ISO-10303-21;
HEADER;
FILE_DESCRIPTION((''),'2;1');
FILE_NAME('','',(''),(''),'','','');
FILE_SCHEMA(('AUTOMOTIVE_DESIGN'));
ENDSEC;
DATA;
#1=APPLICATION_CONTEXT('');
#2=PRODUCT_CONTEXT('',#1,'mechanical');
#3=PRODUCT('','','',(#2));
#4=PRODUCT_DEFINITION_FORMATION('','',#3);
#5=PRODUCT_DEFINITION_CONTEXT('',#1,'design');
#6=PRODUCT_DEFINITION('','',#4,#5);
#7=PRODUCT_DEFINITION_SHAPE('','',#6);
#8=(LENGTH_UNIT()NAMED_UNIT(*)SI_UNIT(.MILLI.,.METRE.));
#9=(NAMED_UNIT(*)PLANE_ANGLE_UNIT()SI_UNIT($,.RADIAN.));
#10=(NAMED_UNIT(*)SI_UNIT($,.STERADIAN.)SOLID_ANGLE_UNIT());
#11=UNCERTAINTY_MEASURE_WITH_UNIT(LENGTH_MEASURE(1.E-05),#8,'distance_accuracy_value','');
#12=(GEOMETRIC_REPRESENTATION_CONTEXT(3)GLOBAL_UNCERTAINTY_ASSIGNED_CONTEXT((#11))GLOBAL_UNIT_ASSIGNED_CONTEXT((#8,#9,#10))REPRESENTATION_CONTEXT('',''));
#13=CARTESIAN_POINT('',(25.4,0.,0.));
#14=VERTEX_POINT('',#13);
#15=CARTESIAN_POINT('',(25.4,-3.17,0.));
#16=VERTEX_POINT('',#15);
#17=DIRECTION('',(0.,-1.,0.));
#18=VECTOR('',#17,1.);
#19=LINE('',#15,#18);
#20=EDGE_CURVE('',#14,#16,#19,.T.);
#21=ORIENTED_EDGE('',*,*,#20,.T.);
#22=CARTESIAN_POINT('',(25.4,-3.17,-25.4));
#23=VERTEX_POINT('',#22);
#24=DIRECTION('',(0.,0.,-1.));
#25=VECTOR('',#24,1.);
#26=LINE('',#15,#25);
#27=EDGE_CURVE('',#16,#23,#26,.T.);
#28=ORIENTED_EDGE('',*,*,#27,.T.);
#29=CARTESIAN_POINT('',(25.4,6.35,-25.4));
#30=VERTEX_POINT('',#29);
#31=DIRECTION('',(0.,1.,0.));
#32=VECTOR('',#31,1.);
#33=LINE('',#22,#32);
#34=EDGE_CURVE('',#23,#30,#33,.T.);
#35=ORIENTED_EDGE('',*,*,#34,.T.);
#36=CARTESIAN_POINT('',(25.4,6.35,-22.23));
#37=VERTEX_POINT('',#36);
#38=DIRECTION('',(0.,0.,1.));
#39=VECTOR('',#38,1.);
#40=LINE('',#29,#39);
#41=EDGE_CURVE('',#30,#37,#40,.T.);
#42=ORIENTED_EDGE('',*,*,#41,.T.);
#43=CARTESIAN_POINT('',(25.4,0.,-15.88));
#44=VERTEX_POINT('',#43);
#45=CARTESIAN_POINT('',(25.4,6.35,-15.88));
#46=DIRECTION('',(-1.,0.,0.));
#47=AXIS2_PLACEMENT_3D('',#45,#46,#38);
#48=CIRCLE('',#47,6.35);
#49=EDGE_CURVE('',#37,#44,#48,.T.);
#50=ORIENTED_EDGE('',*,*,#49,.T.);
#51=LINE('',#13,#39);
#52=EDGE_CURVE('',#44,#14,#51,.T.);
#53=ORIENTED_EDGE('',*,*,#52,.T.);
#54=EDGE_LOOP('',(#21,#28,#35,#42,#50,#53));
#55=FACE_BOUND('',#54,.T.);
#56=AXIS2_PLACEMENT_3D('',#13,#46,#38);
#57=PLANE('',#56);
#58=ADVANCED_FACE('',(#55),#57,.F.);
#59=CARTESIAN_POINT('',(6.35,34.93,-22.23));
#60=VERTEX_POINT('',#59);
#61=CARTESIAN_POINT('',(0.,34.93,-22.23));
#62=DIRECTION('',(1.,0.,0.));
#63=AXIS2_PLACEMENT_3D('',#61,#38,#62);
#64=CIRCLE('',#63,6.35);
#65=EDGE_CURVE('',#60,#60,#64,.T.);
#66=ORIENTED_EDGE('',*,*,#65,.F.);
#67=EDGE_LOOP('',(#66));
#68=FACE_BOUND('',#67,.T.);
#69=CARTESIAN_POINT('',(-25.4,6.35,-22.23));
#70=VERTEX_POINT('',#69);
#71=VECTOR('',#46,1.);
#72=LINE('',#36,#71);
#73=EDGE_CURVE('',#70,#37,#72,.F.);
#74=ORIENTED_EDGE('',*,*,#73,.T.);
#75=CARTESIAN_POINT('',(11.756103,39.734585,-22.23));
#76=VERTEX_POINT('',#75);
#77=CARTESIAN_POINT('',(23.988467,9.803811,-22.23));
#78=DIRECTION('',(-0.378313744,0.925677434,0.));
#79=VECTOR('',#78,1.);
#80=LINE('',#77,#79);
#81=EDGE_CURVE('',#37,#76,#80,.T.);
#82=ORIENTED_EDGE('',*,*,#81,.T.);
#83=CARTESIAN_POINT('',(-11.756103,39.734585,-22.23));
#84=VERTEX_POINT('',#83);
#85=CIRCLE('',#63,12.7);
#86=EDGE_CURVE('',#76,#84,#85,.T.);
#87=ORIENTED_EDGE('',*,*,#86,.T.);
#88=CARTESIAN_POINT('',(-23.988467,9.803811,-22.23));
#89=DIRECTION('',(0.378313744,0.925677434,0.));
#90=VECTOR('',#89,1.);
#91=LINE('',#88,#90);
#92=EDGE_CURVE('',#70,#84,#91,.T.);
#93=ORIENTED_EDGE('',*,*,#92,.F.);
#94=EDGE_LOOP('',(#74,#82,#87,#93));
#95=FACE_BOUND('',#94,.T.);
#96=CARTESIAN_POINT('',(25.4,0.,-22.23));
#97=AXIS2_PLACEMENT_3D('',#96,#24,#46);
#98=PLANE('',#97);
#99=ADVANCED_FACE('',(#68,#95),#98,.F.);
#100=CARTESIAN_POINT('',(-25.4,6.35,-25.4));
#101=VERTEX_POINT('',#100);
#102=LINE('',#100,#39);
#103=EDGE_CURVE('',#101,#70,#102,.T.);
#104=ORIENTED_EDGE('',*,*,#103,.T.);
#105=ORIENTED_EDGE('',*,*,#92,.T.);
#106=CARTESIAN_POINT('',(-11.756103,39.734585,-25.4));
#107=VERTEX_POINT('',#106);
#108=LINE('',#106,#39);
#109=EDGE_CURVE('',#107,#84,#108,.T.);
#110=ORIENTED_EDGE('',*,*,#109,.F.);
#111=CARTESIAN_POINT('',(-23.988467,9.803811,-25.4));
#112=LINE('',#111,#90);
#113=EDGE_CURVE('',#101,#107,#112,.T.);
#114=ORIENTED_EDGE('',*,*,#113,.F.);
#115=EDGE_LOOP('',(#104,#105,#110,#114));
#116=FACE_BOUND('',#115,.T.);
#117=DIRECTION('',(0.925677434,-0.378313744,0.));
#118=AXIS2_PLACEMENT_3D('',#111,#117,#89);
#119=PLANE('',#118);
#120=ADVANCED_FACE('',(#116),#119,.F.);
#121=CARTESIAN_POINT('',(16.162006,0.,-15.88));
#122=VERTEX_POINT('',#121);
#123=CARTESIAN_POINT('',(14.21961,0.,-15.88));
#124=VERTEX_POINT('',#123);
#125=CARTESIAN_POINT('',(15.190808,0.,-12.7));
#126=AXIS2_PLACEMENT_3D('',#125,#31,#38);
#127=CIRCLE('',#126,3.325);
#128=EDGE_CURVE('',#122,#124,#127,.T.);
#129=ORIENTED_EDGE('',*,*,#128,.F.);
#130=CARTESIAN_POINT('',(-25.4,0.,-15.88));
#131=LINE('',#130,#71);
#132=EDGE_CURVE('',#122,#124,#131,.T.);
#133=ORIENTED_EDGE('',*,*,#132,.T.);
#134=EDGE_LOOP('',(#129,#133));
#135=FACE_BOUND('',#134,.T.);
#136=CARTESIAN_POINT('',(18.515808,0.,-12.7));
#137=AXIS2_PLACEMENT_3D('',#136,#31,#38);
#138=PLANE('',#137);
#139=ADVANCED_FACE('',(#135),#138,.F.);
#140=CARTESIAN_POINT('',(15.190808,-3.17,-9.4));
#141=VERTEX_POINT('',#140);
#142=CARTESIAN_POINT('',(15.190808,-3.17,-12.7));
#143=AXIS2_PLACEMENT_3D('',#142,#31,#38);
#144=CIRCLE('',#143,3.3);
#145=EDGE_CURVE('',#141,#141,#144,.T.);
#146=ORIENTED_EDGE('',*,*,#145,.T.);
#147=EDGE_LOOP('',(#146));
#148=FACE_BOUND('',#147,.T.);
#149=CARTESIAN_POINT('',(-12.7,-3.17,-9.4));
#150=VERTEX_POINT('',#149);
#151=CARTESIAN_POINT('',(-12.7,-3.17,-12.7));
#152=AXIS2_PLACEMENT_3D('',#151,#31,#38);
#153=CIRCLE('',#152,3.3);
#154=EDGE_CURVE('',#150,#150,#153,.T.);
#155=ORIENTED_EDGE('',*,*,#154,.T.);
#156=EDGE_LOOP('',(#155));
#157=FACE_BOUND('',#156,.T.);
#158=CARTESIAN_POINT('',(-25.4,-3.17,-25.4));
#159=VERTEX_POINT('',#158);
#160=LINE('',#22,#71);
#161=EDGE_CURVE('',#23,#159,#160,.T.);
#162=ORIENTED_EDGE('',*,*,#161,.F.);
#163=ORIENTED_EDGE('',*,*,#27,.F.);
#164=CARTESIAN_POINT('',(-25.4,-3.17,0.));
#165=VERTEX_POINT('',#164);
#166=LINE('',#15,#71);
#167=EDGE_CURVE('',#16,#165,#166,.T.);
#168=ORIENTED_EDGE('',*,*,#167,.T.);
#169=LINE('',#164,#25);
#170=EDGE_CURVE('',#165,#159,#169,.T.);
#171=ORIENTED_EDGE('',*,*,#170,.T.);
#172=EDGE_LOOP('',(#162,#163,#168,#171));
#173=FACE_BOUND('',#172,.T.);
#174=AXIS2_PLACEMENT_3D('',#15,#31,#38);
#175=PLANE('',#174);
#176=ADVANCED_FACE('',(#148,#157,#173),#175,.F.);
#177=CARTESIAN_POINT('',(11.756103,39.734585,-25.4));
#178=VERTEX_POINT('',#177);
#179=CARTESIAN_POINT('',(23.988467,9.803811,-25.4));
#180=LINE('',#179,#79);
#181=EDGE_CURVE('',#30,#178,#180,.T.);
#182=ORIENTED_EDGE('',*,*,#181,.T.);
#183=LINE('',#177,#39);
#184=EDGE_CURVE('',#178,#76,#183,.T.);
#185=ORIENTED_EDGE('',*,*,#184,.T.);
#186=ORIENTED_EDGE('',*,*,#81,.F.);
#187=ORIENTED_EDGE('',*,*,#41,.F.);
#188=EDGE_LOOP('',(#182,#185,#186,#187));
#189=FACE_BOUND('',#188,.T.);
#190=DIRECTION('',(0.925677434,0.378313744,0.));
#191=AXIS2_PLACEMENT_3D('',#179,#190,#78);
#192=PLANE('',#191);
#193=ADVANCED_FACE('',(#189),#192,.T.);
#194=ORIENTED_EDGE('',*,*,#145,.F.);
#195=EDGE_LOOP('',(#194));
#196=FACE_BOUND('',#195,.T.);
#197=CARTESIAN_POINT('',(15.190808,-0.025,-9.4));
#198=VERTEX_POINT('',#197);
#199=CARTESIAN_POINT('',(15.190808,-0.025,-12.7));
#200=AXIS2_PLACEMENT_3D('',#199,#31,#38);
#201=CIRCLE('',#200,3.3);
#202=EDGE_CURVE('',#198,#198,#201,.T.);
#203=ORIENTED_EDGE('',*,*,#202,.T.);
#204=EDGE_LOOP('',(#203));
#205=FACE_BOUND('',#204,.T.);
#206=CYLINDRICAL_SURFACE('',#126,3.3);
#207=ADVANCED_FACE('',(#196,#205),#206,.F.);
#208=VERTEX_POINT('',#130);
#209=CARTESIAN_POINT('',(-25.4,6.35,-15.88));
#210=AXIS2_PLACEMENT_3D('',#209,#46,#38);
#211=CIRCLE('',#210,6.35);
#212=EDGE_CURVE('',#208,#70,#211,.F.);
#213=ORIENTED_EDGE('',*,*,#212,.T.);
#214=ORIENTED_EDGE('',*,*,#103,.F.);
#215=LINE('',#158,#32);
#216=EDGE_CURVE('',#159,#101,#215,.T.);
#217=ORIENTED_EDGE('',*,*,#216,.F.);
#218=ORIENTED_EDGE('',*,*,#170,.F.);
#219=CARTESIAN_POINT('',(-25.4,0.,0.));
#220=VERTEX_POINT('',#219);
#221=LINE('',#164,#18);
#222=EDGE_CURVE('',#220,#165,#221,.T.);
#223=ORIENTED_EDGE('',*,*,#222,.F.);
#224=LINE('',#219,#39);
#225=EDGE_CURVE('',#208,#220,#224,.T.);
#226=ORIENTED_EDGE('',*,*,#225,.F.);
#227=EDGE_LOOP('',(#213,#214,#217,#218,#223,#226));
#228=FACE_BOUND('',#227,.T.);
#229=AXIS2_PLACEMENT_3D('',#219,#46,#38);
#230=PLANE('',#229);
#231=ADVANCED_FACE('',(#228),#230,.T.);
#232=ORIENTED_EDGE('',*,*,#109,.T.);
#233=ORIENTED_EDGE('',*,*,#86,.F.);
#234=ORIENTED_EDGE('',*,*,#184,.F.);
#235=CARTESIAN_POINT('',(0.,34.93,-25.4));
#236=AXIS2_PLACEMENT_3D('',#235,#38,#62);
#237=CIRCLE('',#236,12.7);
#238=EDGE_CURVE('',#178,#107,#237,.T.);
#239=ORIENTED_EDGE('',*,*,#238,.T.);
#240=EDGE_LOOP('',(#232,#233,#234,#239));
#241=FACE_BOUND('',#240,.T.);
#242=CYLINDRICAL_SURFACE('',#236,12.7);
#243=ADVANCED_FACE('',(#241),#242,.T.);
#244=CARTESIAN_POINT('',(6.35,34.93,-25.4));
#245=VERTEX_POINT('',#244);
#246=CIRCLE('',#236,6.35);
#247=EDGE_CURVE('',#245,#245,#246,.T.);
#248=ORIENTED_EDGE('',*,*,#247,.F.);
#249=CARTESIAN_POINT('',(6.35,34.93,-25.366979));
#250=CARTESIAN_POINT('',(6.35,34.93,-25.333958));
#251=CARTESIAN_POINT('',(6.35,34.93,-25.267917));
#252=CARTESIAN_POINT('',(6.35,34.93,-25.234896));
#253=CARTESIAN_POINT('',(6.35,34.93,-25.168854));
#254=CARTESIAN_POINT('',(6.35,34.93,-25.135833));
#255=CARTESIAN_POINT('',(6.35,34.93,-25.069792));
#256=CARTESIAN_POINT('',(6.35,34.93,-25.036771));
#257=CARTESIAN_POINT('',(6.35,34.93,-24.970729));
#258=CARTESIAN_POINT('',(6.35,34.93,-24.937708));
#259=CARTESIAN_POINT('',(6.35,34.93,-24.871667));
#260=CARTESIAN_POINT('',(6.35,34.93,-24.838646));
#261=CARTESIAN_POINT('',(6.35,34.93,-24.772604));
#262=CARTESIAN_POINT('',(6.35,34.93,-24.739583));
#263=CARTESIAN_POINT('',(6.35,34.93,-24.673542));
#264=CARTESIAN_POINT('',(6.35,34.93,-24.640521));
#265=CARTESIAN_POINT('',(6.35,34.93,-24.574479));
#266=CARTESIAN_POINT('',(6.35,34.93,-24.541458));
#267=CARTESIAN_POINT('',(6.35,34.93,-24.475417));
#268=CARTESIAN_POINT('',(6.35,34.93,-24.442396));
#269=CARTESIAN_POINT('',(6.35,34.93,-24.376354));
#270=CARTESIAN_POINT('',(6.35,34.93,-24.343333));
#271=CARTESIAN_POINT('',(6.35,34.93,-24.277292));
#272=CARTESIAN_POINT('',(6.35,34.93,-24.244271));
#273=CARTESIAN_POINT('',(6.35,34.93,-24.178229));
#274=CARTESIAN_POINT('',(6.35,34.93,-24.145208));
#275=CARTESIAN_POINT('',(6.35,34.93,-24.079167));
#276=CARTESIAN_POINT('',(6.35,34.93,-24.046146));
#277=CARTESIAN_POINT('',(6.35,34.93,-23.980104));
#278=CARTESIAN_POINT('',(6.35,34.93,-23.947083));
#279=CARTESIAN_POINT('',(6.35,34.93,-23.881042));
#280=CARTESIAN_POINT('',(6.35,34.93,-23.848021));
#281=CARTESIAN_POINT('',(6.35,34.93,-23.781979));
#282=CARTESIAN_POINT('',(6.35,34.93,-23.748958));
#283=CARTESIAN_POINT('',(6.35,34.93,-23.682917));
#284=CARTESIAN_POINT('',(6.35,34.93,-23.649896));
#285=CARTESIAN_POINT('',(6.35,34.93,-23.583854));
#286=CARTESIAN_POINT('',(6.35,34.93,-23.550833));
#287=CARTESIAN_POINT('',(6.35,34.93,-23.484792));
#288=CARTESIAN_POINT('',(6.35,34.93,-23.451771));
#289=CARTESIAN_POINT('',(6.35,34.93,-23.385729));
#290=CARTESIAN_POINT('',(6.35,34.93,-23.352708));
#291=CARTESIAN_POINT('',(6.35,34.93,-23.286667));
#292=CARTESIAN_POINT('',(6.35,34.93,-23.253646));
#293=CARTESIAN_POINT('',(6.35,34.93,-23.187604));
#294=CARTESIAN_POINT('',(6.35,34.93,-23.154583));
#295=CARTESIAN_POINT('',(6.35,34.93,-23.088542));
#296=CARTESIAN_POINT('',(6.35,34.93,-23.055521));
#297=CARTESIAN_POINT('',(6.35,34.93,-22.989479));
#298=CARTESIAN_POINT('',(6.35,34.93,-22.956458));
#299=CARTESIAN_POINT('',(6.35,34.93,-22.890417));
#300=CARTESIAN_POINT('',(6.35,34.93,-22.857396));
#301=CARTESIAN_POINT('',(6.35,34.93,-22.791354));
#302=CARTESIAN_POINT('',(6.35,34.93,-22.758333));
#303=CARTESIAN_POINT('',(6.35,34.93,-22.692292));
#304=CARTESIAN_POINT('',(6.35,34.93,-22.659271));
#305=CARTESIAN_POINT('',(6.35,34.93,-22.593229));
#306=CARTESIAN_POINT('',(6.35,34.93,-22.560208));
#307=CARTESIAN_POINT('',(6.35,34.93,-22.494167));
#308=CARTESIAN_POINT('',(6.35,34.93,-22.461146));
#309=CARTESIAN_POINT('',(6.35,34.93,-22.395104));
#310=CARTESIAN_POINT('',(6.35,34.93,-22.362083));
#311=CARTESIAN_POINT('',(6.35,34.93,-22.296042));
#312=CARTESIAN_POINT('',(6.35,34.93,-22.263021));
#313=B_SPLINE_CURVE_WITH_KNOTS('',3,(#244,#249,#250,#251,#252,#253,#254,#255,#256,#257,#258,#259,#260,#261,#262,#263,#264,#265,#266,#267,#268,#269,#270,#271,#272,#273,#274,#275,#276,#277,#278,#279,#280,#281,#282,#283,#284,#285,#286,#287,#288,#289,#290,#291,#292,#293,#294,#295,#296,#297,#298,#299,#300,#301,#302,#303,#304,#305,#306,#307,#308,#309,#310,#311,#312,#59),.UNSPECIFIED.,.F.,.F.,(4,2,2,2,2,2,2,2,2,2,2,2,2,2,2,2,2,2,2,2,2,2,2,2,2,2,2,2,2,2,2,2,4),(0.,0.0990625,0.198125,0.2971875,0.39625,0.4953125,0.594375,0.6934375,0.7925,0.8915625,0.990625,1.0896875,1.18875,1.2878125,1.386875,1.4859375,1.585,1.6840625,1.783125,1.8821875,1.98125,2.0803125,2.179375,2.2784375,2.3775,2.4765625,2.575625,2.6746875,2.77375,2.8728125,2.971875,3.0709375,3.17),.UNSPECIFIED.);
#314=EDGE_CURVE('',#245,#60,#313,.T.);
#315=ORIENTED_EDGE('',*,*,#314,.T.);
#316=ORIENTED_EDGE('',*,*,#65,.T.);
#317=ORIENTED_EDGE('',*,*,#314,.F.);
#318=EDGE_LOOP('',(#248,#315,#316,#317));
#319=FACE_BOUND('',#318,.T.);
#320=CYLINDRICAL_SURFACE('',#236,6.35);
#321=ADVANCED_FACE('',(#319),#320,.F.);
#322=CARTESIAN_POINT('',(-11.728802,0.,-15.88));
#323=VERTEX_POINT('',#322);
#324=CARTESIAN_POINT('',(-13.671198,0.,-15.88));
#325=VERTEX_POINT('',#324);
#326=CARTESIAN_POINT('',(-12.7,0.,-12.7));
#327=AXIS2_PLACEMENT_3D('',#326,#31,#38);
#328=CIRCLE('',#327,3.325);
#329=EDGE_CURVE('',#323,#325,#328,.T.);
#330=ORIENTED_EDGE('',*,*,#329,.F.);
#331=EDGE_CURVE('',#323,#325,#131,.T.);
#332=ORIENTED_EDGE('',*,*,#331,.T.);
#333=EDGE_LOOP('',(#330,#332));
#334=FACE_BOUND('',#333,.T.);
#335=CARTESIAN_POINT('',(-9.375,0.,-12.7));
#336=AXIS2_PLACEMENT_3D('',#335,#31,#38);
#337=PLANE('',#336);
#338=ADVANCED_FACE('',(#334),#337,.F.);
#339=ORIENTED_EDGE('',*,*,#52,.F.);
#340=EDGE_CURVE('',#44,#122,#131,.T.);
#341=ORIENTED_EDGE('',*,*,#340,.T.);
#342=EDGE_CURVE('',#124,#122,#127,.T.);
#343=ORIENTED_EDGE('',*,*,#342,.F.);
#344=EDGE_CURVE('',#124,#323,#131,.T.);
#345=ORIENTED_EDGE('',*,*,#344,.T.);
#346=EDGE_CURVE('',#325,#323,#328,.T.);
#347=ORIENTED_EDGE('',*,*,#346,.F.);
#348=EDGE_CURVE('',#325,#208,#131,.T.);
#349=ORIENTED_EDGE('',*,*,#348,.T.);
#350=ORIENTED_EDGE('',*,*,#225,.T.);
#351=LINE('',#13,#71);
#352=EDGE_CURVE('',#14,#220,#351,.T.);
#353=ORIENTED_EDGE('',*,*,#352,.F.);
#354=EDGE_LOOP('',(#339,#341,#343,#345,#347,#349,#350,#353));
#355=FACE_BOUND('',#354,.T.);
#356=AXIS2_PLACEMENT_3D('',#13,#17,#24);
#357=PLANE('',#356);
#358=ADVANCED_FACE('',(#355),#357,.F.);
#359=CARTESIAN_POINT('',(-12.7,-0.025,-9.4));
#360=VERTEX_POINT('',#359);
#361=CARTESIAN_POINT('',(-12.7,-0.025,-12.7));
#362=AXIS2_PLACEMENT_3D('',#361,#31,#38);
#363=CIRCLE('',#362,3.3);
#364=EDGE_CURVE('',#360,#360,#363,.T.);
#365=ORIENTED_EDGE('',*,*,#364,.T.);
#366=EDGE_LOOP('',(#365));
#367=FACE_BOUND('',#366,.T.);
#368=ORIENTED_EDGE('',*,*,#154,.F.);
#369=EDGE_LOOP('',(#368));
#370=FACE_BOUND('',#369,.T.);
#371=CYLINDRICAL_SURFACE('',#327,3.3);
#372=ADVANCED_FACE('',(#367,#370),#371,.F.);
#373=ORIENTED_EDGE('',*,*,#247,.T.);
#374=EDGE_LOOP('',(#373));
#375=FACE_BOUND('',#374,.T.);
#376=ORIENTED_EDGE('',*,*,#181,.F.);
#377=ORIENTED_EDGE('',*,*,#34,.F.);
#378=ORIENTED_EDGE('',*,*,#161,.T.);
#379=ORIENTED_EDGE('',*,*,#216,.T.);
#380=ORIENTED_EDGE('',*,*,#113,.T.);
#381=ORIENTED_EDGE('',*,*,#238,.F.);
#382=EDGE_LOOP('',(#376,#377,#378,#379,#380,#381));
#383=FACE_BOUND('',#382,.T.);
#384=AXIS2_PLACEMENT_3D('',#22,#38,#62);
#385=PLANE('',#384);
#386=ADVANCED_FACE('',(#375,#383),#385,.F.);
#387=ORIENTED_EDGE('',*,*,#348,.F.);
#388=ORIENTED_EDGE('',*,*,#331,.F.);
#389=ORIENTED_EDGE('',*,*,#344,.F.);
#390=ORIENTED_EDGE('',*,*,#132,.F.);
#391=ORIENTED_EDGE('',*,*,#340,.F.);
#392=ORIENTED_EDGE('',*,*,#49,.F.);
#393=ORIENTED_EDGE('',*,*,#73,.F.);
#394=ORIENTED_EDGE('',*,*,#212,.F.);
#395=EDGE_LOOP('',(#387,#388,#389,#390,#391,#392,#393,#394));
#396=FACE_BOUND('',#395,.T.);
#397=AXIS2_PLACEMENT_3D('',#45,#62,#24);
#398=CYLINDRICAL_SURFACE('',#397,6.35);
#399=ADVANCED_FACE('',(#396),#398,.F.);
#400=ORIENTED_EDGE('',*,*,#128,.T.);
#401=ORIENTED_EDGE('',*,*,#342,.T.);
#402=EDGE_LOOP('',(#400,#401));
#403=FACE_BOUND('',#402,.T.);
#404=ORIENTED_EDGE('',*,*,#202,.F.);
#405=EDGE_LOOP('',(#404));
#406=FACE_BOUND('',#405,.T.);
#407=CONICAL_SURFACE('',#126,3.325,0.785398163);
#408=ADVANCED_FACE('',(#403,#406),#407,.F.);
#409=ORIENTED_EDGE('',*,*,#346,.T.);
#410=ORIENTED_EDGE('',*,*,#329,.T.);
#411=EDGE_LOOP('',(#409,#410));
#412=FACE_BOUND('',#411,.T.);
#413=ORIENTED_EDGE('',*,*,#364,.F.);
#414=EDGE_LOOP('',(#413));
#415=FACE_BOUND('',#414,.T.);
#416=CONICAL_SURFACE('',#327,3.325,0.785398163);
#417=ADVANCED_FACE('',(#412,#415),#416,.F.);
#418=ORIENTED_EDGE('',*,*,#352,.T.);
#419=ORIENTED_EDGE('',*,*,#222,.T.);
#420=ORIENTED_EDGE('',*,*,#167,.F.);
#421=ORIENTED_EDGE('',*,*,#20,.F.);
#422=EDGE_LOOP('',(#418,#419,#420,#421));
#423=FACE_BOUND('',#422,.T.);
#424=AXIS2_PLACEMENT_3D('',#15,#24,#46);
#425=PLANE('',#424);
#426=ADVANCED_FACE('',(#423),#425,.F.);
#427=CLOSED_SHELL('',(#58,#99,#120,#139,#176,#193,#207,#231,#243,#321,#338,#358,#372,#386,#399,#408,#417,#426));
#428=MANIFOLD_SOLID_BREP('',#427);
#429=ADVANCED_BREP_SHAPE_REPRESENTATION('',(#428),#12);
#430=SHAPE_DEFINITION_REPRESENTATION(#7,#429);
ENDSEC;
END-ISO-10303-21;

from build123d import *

# Parameters (mm, degrees)
BOSS_EXTRUDE1_DEPTH           = 25.4
FILLET1_R                     = 6.35
M6_CLEARANCE_HOLE1_AT_2_COUNT = 2
M6_CLEARANCE_HOLE1_AT_2_PITCH = 27.890807904
SKETCH4_R                     = 6.35
CUT_EXTRUDE1_DEPTH            = 59.37764812


with BuildPart() as part:
    # Sketch1 → Boss-Extrude1 (new, symmetric)
    with BuildSketch(Plane(origin=(0, 0, 0), x_dir=(0, 0, -1), z_dir=(1, 0, 0))):
        Polygon((0, 0), (22.23, 0), (22.23, 47.63), (25.4, 47.63), (25.4, -3.17), (0, -3.17), align=None)
    extrude(amount=BOSS_EXTRUDE1_DEPTH, both=True)

    # Fillet1
    fillet1_edges = [part.edges().sort_by_distance(p)[0] for p in [
        (0, 0, -22.23),
    ]]
    fillet(fillet1_edges, radius=FILLET1_R)

    # Sketch3 → M6 Clearance Hole1 (revolve, cut)
    with BuildSketch(Plane(origin=(-12.7, 0, -12.7), x_dir=(0, 0, 1), z_dir=(1, 0, 0))):
        Polygon((0, 0), (0, 3.17), (3.3, 3.17), (3.3, 0.025), (3.325, 0), align=None)
    m6_clearance_hole1 = revolve(axis=Axis((-12.7, 6.35, -12.7), (0, -1, 0)), mode=Mode.SUBTRACT)

    # M6 Clearance Hole1 at 2: M6 Clearance Hole1 ×2
    with Locations(*[(i * M6_CLEARANCE_HOLE1_AT_2_PITCH, 0, 0) for i in range(1, M6_CLEARANCE_HOLE1_AT_2_COUNT)]):
        add(m6_clearance_hole1, mode=Mode.SUBTRACT)

    # Sketch4 → Cut-Extrude1 (cut, through all)
    with BuildSketch(Plane.XY.offset(-22.23)):
        with Locations((0, 34.93)):
            Circle(SKETCH4_R)
        with BuildLine():
            Line((25.4, 47.63), (-3e-08, 47.63))
            ThreePointArc((-3e-08, 47.63), (7.080670019, 45.472965052), (11.756103406, 39.734584552))
            Line((11.756103406, 39.734584552), (25.4, 6.35))
            Line((25.4, 6.35), (25.4, 47.63))
        make_face()
        with BuildLine():
            Line((-25.4, 47.63), (-25.4, 6.35))
            Line((-25.4, 6.35), (-11.756103406, 39.734584552))
            ThreePointArc((-11.756103406, 39.734584552), (-7.080670044, 45.472965035), (-3e-08, 47.63))
            Line((-3e-08, 47.63), (-25.4, 47.63))
        make_face()
    extrude(amount=-CUT_EXTRUDE1_DEPTH, mode=Mode.SUBTRACT)


solid = part.part
